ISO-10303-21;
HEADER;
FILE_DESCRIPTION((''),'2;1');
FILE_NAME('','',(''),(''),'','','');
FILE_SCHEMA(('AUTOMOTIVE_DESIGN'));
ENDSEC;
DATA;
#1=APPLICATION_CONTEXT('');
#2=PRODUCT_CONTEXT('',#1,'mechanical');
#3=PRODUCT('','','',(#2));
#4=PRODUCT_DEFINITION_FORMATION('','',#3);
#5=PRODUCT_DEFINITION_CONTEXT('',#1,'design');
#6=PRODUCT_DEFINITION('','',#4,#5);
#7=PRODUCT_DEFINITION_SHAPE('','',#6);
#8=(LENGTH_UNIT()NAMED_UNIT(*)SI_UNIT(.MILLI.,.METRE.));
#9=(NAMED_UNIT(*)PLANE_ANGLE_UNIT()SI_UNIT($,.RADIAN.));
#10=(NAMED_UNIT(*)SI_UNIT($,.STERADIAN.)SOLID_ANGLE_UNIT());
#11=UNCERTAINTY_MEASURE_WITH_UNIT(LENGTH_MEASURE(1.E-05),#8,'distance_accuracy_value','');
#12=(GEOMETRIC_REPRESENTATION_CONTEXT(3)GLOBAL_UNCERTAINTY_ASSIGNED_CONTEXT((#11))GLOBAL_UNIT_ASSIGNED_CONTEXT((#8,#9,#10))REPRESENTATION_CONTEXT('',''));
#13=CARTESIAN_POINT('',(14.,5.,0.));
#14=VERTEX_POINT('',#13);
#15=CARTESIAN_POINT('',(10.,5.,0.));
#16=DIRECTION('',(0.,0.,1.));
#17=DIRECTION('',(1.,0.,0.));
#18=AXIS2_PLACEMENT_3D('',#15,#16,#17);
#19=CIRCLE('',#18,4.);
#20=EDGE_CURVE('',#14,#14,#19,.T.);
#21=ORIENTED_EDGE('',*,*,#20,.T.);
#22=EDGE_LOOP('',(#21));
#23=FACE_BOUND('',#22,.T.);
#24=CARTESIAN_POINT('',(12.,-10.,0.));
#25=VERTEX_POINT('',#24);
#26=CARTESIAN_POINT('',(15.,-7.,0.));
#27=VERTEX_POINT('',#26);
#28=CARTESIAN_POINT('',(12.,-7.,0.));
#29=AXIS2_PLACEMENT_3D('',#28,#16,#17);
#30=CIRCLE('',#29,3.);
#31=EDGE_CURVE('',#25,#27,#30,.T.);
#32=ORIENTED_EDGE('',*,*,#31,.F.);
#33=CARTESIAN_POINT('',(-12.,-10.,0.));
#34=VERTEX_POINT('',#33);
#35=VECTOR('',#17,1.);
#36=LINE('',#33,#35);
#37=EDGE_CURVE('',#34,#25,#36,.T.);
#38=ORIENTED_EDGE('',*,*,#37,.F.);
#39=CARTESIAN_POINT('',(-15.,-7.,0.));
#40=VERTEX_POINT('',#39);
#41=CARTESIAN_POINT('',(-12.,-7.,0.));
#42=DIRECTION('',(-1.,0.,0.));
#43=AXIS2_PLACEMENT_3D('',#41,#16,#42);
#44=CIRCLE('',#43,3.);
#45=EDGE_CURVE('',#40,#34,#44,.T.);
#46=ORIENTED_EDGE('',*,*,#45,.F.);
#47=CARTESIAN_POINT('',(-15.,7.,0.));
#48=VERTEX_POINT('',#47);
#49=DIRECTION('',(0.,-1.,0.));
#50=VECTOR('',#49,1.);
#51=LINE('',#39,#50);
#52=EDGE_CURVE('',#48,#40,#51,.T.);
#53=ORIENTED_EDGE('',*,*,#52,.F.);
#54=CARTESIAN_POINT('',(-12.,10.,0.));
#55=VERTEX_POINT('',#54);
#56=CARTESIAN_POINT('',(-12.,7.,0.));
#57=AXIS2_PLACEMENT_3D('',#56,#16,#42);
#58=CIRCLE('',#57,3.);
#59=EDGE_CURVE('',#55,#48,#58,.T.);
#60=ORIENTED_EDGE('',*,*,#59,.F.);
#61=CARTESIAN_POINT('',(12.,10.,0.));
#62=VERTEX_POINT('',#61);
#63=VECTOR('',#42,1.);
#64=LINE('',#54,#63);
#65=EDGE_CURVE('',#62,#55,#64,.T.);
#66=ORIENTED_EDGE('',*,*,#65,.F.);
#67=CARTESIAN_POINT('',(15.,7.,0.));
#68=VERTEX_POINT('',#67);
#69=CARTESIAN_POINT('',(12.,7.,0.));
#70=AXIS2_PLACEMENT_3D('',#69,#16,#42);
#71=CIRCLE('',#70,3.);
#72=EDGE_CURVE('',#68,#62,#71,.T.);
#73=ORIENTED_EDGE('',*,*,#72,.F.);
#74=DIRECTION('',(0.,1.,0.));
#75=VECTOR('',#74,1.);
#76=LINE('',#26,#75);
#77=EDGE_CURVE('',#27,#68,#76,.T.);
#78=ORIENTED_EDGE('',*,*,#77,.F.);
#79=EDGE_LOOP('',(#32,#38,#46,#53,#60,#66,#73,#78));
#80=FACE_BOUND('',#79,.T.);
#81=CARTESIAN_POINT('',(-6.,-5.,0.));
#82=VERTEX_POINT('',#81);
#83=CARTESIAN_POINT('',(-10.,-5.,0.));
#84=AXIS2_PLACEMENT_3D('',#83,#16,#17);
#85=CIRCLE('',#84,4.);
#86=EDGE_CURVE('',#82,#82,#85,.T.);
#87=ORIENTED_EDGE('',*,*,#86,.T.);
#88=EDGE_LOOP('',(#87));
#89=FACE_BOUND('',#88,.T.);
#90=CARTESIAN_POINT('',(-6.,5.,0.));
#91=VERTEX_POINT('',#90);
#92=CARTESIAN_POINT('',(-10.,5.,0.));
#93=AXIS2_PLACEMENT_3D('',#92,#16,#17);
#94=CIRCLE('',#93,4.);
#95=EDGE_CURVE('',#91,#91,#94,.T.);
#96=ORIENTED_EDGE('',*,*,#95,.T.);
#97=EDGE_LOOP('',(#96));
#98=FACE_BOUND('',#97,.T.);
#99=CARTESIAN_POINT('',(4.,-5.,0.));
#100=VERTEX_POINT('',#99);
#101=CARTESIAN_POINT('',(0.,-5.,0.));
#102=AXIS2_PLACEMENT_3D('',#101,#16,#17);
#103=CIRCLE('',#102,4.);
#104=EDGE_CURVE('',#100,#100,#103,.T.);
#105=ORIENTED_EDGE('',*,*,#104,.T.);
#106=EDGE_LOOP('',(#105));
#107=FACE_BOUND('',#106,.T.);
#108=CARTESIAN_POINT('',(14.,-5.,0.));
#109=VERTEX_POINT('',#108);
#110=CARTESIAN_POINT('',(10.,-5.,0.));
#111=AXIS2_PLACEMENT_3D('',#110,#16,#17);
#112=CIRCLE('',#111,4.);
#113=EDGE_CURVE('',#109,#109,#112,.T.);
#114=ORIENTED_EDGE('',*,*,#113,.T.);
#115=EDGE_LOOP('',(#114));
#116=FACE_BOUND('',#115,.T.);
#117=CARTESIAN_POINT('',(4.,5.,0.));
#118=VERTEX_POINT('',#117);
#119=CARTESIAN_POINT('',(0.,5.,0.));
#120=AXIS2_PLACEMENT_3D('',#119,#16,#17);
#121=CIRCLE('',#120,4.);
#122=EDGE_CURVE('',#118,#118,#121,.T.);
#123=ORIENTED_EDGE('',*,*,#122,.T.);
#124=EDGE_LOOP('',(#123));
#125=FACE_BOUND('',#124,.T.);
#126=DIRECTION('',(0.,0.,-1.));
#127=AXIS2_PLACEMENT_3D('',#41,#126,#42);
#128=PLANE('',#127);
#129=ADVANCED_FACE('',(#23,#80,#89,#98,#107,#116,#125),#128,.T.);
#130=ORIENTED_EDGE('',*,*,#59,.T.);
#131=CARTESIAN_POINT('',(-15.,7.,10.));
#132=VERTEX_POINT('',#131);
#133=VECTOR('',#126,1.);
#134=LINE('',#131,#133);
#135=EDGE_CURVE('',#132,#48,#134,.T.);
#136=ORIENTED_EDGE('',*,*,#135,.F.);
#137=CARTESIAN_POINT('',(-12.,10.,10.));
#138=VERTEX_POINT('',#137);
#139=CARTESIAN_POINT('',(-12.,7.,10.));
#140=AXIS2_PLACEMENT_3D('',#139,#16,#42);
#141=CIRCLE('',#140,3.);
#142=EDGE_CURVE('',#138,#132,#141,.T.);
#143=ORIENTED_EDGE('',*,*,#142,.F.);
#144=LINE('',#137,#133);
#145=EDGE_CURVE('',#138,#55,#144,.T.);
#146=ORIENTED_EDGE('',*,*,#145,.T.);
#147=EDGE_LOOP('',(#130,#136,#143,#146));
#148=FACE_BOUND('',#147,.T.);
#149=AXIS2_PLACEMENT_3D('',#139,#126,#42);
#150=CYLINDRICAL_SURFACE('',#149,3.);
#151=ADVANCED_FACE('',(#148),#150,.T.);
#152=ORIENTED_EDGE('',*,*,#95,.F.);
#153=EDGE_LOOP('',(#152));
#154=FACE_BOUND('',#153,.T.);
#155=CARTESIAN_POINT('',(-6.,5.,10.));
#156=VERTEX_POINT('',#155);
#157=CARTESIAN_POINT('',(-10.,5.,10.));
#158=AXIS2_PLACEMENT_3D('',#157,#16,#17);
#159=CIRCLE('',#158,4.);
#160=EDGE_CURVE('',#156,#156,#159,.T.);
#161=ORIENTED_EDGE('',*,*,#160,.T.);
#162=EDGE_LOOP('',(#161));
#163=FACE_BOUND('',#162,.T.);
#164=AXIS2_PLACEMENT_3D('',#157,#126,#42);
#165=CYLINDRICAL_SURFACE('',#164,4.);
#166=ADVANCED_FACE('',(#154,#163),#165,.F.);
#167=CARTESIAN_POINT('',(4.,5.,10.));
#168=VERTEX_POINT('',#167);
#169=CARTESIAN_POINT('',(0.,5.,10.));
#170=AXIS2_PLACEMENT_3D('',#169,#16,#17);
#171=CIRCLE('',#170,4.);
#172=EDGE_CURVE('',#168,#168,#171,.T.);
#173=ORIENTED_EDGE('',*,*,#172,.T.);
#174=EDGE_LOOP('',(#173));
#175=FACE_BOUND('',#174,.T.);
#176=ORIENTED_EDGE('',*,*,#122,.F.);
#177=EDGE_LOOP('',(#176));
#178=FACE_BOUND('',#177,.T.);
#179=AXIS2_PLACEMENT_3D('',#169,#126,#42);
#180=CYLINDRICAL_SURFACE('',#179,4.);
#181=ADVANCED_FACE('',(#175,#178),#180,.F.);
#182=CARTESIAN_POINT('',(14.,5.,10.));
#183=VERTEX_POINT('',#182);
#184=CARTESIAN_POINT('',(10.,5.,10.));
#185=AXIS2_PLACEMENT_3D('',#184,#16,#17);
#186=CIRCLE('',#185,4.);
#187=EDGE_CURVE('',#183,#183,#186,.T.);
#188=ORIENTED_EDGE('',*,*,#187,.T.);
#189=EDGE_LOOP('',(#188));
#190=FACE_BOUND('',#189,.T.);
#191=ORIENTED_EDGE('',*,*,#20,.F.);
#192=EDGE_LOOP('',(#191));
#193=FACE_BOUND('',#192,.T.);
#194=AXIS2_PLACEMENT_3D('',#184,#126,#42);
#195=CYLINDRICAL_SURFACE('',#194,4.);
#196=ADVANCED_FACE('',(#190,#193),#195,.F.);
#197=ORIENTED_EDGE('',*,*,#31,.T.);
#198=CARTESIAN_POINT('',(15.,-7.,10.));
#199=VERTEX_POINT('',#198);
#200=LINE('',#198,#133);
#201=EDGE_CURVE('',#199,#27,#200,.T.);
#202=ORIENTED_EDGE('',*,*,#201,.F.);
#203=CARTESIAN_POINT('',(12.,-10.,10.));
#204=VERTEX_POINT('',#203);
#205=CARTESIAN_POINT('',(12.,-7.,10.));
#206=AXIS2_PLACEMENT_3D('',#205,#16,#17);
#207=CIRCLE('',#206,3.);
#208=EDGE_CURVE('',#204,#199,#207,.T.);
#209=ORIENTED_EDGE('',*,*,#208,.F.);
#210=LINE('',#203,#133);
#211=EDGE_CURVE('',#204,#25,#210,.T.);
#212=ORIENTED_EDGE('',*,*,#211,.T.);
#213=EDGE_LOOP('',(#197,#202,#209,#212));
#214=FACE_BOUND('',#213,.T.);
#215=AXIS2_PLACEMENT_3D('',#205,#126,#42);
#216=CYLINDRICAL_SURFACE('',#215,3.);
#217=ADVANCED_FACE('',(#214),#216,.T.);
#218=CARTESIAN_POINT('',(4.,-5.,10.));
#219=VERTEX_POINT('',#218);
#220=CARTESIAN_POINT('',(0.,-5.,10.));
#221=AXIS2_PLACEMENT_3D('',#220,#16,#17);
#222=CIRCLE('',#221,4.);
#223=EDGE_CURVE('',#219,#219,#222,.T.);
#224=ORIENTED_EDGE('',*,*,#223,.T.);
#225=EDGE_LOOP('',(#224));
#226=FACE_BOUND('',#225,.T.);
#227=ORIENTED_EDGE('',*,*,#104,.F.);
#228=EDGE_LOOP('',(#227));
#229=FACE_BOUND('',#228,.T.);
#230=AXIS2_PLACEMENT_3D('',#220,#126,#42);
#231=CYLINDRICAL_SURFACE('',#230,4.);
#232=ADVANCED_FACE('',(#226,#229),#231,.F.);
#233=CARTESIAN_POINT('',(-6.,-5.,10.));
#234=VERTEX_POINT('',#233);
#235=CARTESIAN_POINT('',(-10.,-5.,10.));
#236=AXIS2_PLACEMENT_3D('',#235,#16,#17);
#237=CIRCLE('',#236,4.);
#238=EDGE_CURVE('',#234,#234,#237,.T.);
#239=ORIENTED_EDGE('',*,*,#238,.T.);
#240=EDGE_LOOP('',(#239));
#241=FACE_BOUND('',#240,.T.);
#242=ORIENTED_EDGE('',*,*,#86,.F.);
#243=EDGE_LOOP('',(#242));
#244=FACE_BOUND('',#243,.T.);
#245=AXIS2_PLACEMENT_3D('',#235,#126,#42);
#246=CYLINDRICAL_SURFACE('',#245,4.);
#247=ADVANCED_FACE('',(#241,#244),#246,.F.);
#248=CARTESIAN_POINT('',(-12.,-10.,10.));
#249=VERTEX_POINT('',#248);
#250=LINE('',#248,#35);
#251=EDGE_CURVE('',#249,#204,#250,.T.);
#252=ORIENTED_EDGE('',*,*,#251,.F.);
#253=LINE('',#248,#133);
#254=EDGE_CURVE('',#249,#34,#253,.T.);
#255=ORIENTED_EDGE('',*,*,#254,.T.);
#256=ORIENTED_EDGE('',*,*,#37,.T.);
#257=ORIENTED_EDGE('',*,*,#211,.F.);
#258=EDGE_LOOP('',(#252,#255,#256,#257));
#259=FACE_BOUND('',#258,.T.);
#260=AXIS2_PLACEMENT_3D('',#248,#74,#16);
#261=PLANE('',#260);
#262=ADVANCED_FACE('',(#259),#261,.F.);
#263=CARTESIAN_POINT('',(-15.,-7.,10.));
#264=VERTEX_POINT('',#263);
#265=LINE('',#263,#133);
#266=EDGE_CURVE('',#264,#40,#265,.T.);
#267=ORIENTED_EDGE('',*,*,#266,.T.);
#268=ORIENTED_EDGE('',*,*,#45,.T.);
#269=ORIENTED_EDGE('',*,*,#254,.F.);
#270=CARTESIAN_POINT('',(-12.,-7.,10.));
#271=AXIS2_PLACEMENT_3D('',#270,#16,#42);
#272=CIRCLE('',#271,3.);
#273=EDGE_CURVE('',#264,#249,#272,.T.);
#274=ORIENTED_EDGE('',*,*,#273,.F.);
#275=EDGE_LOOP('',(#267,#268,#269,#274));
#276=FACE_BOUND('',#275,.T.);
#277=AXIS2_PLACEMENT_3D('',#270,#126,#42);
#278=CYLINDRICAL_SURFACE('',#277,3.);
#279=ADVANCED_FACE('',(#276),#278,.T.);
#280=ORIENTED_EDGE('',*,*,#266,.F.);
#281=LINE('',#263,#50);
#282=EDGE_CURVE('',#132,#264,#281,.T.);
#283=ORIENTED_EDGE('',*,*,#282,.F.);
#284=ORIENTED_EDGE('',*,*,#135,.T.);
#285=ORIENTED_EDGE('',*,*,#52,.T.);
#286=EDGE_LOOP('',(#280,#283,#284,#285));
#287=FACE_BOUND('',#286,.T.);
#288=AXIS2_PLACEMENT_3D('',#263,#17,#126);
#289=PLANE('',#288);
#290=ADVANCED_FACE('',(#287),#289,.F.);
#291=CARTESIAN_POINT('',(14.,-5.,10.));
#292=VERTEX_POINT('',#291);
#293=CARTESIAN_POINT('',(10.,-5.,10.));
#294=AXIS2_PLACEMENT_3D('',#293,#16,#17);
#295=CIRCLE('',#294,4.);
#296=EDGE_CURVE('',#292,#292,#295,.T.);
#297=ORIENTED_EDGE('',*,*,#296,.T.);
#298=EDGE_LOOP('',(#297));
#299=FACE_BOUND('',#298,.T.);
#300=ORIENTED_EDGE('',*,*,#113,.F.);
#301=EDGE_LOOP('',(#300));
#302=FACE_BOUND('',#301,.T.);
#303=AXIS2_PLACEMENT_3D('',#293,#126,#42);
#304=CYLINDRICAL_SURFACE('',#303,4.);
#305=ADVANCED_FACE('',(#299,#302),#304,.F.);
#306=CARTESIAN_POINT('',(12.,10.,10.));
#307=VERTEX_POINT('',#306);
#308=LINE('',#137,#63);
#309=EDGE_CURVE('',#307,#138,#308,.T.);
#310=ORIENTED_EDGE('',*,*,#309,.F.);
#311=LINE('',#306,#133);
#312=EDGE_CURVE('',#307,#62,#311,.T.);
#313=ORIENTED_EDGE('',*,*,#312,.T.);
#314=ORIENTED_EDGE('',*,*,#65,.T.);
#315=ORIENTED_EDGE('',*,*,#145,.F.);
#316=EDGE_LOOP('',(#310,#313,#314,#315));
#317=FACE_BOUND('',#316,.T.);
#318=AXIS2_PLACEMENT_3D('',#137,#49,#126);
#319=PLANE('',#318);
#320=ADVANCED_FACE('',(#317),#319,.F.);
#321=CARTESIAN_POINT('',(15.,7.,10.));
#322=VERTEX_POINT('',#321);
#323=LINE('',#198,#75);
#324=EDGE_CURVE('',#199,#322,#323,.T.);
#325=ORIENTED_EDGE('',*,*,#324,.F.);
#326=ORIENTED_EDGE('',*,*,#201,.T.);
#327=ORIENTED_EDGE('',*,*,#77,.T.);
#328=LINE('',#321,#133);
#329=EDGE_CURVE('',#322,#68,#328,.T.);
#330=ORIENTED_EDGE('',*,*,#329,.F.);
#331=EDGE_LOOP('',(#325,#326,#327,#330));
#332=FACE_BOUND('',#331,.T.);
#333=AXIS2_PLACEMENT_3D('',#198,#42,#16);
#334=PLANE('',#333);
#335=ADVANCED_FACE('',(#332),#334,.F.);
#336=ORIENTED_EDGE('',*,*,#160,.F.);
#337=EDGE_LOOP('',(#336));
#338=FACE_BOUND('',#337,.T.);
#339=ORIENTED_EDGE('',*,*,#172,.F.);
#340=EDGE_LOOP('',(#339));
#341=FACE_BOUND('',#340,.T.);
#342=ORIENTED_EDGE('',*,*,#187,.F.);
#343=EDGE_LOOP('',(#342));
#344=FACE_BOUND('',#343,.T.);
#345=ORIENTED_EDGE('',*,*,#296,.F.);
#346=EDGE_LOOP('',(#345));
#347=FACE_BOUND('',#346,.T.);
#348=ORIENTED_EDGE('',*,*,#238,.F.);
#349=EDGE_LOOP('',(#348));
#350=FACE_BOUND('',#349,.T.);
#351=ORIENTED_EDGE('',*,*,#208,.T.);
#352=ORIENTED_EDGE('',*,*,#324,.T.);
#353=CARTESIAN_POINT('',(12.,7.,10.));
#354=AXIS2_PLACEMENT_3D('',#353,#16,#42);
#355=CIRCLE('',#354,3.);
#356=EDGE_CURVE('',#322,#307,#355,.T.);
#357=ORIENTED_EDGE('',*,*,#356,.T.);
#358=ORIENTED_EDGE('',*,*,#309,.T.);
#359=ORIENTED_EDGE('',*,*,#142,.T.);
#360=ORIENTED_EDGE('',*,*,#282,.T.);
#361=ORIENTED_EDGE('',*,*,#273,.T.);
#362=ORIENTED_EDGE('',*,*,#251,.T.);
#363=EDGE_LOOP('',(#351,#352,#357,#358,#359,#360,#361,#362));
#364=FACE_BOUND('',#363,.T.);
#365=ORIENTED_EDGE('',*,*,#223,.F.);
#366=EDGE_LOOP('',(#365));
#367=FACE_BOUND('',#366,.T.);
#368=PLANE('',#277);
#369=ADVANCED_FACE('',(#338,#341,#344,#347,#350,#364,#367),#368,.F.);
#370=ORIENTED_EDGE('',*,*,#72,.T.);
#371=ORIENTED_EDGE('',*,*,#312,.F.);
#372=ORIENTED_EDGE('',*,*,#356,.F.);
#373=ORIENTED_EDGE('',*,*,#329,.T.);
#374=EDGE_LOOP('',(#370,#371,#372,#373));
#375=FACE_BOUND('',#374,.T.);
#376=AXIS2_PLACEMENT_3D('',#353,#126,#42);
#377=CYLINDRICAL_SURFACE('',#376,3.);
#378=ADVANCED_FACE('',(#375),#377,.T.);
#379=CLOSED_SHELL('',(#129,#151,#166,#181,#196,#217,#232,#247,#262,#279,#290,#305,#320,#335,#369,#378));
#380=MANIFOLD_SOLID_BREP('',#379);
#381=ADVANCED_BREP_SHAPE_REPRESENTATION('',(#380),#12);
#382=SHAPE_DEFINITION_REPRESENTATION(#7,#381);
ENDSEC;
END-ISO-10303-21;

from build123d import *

# Parameters (mm, degrees)
SKETCH_1_R      = 4
EXTRUDE_1_DEPTH = 10


with BuildPart() as part:
    # 草图1 → 凸台-拉伸1 (new body)
    with BuildSketch(Plane.XY):
        with BuildLine():
            Line((-12, -10), (12, -10))
            ThreePointArc((12, -10), (14.121320344, -9.121320344), (15, -7))
            Line((15, -7), (15, 7))
            ThreePointArc((15, 7), (14.121320344, 9.121320344), (12, 10))
            Line((12, 10), (-12, 10))
            ThreePointArc((-12, 10), (-14.121320344, 9.121320344), (-15, 7))
            Line((-15, 7), (-15, -7))
            ThreePointArc((-15, -7), (-14.121320344, -9.121320344), (-12, -10))
        make_face()
        with Locations((-10, 5)):
            Circle(SKETCH_1_R, mode=Mode.SUBTRACT)
        with Locations((0, 5)):
            Circle(SKETCH_1_R, mode=Mode.SUBTRACT)
        with Locations((10, 5)):
            Circle(SKETCH_1_R, mode=Mode.SUBTRACT)
        with Locations((0, -5)):
            Circle(SKETCH_1_R, mode=Mode.SUBTRACT)
        with Locations((10, -5)):
            Circle(SKETCH_1_R, mode=Mode.SUBTRACT)
        with Locations((-10, -5)):
            Circle(SKETCH_1_R, mode=Mode.SUBTRACT)
    extrude(amount=EXTRUDE_1_DEPTH)


solid = part.part
